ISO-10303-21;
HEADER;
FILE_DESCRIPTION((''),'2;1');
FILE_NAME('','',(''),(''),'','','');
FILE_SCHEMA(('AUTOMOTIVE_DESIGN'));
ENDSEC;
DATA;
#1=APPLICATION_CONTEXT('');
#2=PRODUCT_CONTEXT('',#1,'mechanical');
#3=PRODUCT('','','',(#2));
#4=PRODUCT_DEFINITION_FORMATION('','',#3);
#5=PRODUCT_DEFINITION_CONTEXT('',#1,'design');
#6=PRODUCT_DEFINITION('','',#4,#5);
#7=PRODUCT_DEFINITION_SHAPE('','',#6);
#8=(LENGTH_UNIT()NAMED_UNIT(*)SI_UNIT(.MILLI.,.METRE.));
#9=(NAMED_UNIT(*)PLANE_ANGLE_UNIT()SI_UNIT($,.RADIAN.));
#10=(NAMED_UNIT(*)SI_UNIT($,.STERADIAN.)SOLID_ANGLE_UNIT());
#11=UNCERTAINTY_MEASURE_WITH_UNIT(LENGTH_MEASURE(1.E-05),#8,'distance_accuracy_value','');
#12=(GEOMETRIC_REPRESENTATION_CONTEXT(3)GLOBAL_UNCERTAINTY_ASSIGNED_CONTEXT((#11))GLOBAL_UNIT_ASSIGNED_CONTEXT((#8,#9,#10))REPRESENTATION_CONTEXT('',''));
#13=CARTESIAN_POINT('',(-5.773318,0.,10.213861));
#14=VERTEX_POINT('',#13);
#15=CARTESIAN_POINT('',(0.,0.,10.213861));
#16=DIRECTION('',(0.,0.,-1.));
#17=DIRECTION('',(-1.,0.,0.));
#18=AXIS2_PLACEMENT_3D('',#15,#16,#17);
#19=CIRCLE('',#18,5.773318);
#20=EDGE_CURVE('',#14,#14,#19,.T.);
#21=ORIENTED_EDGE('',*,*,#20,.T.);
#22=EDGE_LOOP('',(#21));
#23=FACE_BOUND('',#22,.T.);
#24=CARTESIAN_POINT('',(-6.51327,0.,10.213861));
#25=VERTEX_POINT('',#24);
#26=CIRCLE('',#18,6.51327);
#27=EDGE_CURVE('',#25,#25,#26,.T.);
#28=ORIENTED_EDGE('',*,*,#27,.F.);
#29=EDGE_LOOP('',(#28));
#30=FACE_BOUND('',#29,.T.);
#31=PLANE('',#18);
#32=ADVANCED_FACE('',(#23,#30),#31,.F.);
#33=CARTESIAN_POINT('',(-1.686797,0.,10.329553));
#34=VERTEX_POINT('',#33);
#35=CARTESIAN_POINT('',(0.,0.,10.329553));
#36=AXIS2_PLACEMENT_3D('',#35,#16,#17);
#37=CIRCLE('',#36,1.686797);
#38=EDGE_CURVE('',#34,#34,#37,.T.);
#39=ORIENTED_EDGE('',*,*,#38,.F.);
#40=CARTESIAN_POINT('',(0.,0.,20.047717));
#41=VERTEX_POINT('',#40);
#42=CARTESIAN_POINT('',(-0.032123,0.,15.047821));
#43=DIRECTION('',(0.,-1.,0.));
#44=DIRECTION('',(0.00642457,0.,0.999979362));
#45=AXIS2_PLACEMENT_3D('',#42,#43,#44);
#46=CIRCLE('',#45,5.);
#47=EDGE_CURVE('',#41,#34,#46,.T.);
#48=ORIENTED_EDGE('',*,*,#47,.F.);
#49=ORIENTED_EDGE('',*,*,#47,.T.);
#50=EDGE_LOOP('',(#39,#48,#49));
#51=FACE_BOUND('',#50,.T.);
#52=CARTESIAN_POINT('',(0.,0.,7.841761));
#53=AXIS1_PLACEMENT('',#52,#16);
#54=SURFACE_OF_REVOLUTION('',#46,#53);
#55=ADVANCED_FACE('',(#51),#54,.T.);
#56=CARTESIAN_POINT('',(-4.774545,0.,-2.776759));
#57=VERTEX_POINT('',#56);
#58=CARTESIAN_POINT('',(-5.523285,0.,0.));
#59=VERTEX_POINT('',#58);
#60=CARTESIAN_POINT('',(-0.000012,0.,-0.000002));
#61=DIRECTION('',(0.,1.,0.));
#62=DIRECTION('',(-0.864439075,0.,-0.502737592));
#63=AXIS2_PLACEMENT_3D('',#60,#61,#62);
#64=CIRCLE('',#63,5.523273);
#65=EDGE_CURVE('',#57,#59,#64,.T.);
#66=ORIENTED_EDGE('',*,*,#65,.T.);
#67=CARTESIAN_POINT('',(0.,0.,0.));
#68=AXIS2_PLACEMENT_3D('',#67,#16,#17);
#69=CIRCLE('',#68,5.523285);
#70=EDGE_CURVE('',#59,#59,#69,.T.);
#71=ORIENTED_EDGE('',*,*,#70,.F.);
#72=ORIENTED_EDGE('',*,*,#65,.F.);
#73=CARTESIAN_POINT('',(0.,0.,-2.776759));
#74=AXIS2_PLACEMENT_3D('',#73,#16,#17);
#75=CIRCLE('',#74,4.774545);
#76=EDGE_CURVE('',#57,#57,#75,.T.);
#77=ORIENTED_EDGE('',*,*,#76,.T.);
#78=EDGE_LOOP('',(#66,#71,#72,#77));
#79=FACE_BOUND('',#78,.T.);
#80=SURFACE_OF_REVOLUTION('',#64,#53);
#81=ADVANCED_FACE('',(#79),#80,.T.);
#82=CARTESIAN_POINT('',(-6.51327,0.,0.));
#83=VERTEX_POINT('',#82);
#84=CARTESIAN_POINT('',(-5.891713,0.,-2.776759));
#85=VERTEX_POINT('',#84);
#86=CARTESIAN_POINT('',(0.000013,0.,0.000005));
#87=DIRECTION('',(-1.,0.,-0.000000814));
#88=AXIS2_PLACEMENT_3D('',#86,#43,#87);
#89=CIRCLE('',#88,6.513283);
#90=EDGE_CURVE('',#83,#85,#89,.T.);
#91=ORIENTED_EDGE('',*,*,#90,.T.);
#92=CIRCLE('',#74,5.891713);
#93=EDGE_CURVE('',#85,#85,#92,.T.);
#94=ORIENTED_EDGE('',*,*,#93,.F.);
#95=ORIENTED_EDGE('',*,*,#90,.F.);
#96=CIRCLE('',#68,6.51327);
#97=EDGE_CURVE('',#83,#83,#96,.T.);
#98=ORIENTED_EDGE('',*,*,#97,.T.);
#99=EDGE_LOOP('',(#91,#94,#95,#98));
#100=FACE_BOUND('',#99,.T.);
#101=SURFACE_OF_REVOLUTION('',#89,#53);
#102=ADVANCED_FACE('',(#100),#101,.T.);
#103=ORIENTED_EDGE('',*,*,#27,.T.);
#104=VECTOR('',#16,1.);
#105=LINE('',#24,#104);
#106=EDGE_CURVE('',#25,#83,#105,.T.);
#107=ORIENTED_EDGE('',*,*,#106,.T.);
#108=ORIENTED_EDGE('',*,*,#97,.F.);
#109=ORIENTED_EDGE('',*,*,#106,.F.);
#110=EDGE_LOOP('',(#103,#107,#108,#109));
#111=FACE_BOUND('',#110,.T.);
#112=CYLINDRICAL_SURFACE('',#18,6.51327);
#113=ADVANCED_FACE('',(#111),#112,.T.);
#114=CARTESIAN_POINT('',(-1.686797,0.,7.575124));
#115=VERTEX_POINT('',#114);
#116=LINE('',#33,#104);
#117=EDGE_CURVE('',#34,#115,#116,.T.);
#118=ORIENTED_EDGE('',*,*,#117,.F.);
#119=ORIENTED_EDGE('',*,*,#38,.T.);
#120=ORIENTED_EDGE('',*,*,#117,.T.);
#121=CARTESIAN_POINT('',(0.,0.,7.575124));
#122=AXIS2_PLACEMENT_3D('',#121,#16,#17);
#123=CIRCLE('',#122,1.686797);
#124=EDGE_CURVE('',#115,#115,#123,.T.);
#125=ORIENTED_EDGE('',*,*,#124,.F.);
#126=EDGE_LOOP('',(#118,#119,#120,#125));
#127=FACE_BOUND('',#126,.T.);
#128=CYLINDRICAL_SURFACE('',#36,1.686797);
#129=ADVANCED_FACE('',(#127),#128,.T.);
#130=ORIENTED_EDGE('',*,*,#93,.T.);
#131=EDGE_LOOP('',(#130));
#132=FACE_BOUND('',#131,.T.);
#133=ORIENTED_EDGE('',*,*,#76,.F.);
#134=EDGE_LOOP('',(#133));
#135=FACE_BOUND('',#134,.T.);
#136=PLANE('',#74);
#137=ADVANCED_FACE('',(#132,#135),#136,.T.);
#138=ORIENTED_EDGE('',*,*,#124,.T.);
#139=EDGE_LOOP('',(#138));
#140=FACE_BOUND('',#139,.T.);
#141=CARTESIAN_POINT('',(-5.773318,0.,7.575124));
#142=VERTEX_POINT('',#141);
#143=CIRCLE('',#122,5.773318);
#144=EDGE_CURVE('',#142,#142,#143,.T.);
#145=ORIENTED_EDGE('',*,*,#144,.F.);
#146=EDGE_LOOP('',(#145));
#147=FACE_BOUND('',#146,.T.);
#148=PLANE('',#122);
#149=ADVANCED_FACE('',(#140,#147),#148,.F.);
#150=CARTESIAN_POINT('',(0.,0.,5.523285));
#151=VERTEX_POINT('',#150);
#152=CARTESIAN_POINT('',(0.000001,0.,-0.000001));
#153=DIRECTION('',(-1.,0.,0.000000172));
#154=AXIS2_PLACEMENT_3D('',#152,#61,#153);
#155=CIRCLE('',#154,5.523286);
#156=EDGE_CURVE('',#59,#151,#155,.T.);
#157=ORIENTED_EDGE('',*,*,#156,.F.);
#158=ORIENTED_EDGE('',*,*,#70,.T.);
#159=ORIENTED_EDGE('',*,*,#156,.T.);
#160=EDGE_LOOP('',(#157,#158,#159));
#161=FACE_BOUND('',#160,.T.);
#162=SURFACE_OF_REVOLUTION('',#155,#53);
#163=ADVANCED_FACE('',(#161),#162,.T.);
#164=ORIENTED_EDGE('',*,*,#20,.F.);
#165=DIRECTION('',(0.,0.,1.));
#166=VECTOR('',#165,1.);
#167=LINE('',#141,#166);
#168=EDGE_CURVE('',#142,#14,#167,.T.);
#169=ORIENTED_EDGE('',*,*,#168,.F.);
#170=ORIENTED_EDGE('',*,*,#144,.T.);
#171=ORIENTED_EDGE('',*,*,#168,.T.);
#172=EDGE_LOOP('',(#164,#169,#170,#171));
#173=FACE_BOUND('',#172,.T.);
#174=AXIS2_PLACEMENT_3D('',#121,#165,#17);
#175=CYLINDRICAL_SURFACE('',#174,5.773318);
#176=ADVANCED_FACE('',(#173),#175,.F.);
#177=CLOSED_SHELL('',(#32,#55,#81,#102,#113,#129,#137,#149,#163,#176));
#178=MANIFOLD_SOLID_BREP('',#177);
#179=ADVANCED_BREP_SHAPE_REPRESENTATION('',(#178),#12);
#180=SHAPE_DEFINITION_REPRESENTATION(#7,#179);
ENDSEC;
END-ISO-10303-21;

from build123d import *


with BuildPart() as f1:
    # F0 (on Front) → F1 (revolve)
    with BuildSketch(Plane.XZ):
        with BuildLine():
            ThreePointArc((-1.686797, 10.329553), (-0.855528, 10.116086), (0, 10.047924))
            Line((0, 10.047924), (0, 20.047717))
            ThreePointArc((0, 20.047717), (-4.958465, 15.902893), (-1.686797, 10.329553))
        make_face()
        with BuildLine():
            Line((-6.51327, 10.213861), (-6.51327, 0))
            Line((-6.51327, 0), (-5.523285, 0))
            ThreePointArc((-5.523285, 0), (-3.905552, 3.905552), (0, 5.523285))
            Line((0, 5.523285), (0, 10.047924))
            ThreePointArc((0, 10.047924), (-0.855528, 10.116086), (-1.686797, 10.329553))
            Line((-1.686797, 10.329553), (-1.686797, 7.575124))
            Line((-1.686797, 7.575124), (-5.773318, 7.575124))
            Line((-5.773318, 7.575124), (-5.773318, 10.213861))
            Line((-5.773318, 10.213861), (-6.51327, 10.213861))
        make_face()
        with BuildLine():
            Line((-5.523285, 0), (-6.51327, 0))
            ThreePointArc((-6.51327, 0), (-6.355981, -1.422737), (-5.891713, -2.776759))
            Line((-5.891713, -2.776759), (-4.774545, -2.776759))
            ThreePointArc((-4.774545, -2.776759), (-5.332816, -1.437968), (-5.523285, 0))
        make_face()
    revolve(axis=Axis((0, 0, 7.841761), (0, 0, -1)))


solid = f1.part
